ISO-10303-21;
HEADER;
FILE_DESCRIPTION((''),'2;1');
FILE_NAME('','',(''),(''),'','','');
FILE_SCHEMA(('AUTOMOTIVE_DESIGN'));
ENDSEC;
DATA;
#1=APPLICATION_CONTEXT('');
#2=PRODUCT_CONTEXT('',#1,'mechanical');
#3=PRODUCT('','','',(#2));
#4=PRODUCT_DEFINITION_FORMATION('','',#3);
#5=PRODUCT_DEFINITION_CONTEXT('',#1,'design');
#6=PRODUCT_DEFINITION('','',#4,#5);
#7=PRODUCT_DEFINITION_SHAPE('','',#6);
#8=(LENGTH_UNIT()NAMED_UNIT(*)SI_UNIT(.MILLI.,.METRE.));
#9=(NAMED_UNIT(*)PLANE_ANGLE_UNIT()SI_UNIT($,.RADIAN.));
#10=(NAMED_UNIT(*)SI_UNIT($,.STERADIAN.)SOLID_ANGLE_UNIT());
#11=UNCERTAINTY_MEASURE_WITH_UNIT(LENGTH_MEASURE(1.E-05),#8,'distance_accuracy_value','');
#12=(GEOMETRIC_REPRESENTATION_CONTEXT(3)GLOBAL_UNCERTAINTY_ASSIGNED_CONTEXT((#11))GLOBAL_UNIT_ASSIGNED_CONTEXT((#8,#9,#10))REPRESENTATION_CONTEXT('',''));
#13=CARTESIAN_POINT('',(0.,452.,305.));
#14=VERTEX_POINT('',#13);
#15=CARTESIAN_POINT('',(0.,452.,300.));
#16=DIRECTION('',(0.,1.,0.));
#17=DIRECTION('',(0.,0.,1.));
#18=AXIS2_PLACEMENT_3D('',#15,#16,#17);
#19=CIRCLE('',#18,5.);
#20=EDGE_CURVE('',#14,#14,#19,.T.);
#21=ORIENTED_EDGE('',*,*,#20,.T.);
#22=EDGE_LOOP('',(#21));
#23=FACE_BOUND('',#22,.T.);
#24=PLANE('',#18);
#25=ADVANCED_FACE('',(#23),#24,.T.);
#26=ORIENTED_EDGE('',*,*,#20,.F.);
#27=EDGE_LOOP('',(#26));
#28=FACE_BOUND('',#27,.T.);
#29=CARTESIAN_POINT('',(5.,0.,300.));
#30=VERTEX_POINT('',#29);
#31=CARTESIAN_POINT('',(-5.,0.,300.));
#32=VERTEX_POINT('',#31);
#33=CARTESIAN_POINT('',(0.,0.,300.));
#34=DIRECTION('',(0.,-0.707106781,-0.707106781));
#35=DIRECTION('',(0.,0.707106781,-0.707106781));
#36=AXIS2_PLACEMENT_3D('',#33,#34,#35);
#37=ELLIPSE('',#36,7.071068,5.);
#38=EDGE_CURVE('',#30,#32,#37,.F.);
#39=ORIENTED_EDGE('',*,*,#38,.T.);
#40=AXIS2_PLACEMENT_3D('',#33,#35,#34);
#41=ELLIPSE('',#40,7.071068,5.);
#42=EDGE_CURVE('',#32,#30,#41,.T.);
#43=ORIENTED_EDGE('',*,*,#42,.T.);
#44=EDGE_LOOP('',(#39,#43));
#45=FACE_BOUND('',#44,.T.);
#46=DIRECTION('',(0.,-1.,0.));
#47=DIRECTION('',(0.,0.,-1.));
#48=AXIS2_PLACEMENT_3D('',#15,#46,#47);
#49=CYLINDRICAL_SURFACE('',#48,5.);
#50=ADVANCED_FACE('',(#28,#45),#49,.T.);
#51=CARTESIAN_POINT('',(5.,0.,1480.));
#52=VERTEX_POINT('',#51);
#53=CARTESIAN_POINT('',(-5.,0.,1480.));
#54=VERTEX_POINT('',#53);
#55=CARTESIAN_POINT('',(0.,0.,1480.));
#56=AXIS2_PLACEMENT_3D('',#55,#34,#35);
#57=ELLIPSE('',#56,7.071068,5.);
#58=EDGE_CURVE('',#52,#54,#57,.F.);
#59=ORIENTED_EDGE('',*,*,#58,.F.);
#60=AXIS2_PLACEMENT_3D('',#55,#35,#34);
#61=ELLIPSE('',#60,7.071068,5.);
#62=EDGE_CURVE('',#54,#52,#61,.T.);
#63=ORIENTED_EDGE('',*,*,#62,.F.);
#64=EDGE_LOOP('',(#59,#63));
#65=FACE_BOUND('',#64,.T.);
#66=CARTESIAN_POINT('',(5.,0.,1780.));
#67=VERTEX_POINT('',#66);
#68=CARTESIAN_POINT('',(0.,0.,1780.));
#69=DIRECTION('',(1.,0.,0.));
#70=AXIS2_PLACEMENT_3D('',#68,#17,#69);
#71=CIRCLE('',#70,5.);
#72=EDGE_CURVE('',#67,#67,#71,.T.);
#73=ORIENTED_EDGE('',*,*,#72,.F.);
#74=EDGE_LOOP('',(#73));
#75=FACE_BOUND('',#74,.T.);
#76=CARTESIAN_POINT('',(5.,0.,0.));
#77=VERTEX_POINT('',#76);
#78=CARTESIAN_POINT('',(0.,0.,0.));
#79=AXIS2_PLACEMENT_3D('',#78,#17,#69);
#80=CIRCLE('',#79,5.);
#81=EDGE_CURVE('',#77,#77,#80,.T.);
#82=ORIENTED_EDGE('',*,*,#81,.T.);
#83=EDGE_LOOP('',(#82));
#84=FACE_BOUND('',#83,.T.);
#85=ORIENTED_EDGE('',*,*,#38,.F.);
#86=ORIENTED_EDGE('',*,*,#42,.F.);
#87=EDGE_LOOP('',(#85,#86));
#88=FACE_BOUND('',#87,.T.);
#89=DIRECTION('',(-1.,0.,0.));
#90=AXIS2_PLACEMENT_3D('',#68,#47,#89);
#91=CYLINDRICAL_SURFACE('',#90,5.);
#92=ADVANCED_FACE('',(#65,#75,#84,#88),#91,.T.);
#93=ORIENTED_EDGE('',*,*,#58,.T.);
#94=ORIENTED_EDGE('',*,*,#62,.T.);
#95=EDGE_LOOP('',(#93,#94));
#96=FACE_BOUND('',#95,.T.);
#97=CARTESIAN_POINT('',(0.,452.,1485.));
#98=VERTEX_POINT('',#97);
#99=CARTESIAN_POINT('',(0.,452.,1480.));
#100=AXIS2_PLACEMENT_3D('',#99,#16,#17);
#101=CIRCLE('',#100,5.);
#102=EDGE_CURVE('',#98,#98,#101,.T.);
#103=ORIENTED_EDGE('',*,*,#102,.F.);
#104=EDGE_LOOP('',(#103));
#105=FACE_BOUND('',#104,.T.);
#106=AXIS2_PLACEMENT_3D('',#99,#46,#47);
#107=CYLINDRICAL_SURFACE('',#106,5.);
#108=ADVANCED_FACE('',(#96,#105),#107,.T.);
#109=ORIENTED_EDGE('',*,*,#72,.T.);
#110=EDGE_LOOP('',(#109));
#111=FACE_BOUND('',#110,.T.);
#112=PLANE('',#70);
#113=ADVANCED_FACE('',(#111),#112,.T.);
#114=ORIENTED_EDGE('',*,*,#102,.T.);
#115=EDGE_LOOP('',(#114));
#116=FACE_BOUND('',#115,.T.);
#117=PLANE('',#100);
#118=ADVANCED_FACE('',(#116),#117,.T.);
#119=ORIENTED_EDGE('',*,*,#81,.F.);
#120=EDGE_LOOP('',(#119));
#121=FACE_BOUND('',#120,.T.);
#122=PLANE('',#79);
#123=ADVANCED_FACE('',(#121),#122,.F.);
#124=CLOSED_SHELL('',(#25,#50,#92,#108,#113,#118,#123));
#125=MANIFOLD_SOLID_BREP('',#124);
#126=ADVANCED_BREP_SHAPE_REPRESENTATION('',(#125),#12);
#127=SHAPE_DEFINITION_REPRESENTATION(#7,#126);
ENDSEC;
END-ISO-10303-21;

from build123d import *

# Parameters (mm, degrees)
SKETCH_1_R      = 5
EXTRUDE_1_DEPTH = 1780
SKETCH_2_R      = 5
EXTRUDE_2_DEPTH = 452


with BuildPart() as part:
    # 草图1 → 凸台-拉伸1 (new body)
    with BuildSketch(Plane.XY):
        Circle(SKETCH_1_R)
    extrude(amount=EXTRUDE_1_DEPTH)

    # 草图2 → 凸台-拉伸2 (add)
    with BuildSketch(Plane(origin=(0, 0, 0), x_dir=(1, 0, 0), z_dir=(0, 1, 0))):
        with Locations((0, -300)):
            Circle(SKETCH_2_R)
        with Locations((0, -1480)):
            Circle(SKETCH_2_R)
    extrude(amount=EXTRUDE_2_DEPTH)


solid = part.part
